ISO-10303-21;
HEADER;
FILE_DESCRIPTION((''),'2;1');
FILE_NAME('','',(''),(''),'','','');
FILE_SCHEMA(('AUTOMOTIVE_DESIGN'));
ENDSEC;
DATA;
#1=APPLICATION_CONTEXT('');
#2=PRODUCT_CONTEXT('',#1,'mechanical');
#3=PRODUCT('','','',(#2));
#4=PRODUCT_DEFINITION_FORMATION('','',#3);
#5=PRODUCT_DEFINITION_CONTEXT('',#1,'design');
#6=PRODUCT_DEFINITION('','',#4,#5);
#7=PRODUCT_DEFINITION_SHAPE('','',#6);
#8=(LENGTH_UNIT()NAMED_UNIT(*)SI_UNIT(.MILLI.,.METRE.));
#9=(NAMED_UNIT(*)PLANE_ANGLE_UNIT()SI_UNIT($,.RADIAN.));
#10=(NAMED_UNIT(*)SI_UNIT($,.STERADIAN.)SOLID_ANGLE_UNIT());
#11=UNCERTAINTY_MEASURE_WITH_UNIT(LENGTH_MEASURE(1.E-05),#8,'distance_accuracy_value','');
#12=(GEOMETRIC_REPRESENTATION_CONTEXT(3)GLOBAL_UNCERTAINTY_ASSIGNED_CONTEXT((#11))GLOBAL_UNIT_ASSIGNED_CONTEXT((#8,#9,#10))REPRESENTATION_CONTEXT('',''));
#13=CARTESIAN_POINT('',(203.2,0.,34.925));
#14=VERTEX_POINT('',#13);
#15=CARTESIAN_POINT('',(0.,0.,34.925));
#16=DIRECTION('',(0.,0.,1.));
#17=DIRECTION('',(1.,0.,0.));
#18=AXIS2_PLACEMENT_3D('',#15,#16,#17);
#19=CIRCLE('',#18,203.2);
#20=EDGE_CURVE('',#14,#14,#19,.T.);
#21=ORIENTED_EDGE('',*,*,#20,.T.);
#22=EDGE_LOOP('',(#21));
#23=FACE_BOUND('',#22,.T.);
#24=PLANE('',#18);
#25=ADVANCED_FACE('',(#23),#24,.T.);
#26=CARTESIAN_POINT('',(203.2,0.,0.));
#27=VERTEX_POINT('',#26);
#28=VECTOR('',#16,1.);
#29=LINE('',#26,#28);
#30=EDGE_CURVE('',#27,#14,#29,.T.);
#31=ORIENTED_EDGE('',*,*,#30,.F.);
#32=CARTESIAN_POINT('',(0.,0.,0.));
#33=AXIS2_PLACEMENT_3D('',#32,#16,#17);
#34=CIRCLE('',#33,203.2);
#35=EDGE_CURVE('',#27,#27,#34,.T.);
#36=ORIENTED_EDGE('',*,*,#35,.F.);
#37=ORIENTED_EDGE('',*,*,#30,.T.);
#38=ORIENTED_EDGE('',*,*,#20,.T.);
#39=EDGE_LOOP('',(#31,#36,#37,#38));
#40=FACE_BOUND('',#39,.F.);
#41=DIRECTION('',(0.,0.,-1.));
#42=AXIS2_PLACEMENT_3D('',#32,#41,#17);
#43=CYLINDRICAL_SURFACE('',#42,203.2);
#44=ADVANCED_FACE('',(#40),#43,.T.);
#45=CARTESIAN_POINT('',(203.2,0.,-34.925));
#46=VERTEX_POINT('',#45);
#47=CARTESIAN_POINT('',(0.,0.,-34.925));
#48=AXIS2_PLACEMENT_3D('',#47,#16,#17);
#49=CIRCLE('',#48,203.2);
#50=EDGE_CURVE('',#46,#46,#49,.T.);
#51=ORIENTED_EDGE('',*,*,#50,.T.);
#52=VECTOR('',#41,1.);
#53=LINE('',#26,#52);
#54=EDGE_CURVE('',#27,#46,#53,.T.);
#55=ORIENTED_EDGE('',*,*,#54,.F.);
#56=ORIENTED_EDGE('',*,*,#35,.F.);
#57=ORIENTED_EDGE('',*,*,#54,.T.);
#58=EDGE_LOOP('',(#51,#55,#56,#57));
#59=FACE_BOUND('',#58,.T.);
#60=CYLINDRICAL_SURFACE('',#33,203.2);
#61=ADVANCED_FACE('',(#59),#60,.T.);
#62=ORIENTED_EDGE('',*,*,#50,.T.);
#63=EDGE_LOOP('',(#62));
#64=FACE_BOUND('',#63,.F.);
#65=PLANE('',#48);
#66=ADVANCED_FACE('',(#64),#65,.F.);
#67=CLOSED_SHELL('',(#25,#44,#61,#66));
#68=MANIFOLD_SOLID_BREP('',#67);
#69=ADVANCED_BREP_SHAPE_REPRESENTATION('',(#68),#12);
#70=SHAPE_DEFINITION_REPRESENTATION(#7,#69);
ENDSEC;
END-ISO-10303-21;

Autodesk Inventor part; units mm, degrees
ref_plane "YZ Plane" through (0, 0, 0) normal (1, 0, 0) x (0, 1, 0)
ref_plane "XZ Plane" through (0, 0, 0) normal (0, 1, 0) x (-1, 0, 0)
ref_plane "XY Plane" through (0, 0, 0) normal (0, 0, 1) x (1, 0, 0)
sketch "Sketch1" plane through (0, 0, 0) normal (0, 0, 1) x (1, 0, 0)
  circle A0 centre (0, 0) radius 203.2
  dimension "d0" = 406.4
  dimension "d0" = 406.4
extrude "Extrusion1" add sketch "Sketch1" along normal mid plane 69.85
properties part number "wheel model"
